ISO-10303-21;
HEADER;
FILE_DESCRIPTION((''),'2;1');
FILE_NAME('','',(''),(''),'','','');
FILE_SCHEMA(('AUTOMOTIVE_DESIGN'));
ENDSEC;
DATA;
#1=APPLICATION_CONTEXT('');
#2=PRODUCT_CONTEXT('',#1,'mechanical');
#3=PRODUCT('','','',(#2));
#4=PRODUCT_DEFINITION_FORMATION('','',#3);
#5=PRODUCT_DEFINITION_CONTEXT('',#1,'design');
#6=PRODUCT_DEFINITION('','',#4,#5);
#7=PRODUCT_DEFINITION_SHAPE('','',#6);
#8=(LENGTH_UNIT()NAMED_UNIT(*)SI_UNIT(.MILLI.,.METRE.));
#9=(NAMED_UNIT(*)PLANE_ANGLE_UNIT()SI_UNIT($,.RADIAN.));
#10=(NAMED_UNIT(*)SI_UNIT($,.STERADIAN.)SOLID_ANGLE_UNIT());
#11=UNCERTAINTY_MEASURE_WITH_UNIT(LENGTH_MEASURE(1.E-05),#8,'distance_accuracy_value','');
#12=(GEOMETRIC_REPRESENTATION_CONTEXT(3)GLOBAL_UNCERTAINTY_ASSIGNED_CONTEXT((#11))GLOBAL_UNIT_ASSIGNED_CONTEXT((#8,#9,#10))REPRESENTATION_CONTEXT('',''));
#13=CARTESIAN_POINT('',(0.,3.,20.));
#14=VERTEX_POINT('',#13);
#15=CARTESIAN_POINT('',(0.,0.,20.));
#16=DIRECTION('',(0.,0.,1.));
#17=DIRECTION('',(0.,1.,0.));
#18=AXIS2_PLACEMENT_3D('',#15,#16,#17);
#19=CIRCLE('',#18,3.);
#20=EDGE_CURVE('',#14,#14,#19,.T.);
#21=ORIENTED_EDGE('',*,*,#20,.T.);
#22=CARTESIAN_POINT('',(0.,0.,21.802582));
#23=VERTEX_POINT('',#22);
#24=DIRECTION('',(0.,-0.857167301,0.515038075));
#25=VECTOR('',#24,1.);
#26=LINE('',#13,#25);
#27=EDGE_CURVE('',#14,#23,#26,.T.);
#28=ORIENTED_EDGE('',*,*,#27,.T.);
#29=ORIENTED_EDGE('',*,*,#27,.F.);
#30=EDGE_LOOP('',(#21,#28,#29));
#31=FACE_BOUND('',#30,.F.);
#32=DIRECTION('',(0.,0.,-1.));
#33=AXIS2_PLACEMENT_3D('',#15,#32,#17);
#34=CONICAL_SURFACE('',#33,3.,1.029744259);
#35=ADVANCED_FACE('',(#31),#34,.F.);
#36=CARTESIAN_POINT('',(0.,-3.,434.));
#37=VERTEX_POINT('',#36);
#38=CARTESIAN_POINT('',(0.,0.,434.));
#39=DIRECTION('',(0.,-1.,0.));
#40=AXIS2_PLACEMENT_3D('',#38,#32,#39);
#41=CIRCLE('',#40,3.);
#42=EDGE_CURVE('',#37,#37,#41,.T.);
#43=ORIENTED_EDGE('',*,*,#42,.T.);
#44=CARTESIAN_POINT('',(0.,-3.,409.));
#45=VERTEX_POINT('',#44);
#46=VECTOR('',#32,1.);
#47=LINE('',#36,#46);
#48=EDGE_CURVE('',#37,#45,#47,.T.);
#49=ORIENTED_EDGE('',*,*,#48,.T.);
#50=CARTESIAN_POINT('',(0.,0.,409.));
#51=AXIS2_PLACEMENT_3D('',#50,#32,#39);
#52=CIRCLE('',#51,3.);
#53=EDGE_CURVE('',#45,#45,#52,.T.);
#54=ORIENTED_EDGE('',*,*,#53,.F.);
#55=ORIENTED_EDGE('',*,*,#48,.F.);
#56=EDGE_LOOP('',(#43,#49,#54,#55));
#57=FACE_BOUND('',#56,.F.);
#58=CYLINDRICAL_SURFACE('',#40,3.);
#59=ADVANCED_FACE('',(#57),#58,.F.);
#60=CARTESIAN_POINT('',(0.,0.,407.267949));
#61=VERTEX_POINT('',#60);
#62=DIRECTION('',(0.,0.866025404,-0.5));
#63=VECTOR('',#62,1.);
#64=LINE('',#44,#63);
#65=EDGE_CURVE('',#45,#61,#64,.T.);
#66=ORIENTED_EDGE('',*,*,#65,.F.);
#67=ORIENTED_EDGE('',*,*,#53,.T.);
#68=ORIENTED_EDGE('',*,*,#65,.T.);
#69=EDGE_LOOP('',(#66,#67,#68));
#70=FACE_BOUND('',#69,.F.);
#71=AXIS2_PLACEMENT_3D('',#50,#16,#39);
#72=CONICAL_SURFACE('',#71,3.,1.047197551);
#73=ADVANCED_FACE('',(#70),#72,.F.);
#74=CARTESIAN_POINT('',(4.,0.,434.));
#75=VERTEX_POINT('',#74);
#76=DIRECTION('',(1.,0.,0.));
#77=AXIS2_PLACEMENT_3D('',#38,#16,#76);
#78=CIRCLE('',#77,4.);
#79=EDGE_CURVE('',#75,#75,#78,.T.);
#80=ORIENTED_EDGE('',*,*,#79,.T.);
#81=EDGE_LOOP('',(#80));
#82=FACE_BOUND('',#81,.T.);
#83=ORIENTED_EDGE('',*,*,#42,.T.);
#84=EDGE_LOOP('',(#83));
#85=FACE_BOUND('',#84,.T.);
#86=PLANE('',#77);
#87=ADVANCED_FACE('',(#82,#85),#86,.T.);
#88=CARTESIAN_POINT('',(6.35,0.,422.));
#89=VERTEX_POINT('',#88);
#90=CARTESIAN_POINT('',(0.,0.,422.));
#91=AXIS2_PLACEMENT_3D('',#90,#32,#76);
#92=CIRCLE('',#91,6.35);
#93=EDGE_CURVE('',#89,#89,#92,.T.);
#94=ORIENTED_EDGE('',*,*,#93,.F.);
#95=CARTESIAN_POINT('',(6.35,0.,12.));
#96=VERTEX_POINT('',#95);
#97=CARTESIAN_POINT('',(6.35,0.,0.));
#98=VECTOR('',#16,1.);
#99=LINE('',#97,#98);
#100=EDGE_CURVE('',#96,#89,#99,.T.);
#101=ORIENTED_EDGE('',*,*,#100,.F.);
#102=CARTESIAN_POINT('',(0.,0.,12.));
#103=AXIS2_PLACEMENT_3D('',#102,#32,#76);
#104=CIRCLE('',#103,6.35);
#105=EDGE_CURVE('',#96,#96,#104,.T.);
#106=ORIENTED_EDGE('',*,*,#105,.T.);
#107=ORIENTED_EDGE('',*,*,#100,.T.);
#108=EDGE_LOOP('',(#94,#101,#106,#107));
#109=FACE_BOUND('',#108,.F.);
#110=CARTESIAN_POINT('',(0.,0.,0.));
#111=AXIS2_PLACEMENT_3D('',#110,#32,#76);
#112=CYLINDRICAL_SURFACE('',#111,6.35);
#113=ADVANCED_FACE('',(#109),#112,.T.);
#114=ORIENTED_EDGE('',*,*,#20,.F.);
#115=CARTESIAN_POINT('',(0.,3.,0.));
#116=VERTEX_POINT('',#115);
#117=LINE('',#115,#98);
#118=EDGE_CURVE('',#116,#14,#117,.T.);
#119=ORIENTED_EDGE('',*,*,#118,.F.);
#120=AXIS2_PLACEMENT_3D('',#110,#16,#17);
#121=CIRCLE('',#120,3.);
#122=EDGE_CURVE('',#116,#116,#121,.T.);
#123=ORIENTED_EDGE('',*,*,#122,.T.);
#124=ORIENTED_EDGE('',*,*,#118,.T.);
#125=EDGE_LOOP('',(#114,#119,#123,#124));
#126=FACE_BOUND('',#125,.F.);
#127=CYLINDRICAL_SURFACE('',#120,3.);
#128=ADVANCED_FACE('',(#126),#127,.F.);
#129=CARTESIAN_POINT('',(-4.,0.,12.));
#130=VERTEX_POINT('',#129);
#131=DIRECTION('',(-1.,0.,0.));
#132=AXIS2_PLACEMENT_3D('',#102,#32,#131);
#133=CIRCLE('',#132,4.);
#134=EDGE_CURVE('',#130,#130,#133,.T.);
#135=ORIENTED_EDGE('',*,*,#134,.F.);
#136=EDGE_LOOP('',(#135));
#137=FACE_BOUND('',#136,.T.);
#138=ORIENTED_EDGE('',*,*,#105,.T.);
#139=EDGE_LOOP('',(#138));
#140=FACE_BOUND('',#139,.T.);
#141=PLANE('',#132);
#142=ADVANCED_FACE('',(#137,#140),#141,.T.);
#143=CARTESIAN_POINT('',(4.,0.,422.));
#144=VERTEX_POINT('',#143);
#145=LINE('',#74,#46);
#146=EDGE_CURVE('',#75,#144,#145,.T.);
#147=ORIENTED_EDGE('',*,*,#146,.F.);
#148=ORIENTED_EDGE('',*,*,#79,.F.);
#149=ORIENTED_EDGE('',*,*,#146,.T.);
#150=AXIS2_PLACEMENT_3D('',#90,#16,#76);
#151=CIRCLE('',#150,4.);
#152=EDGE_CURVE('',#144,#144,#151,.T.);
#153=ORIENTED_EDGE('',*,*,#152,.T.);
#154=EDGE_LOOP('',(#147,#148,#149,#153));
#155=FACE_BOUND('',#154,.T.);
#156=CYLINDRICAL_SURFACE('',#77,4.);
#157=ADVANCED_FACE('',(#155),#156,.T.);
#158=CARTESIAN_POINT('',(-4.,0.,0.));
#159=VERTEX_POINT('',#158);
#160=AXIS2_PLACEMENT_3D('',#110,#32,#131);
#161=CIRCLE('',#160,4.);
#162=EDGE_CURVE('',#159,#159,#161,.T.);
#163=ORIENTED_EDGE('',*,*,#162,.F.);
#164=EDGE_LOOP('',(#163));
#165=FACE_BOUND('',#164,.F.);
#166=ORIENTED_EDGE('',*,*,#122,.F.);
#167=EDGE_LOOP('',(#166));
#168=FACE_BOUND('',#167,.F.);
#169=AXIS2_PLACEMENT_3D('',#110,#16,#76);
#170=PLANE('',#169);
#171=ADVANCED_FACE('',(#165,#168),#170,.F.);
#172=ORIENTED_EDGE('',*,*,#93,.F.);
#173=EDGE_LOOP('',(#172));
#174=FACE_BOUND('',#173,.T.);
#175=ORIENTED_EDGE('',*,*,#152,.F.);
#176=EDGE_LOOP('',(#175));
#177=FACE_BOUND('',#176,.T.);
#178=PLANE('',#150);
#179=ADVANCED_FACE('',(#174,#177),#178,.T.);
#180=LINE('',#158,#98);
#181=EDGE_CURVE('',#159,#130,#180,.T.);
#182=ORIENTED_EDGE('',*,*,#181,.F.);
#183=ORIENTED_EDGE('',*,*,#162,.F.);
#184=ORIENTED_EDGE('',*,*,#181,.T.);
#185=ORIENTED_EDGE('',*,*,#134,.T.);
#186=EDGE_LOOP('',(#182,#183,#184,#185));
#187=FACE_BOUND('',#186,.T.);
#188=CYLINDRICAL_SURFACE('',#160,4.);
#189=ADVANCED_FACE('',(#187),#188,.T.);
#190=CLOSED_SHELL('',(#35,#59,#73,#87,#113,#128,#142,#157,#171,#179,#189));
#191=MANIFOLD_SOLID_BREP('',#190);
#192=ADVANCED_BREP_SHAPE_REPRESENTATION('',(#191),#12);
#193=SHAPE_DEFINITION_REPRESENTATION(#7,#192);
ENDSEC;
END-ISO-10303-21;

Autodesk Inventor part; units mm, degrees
ref_plane "YZ Plane" through (0, 0, 0) normal (1, 0, 0) x (0, 1, 0)
ref_plane "XZ Plane" through (0, 0, 0) normal (0, 1, 0) x (-1, 0, 0)
ref_plane "XY Plane" through (0, 0, 0) normal (0, 0, 1) x (1, 0, 0)
sketch "Sketch1" plane through (0, 0, 0) normal (0, 0, 1) x (1, 0, 0)
  circle A0 centre (0, 0) radius 6.35
  circle A1 centre (0, 0) radius 3
  dimension "d0" = 12.7
  dimension "d1" = 6
extrude "Extrusion1" add sketch "Sketch1" along normal blind 434 contours A0 | A1
sketch "Sketch2" plane through (0, 0, 434) normal (0, 0, 1) x (1, 0, 0)
  circle A0 centre (0, 0) radius 3
  dimension "d4" = 6
sketch "Sketch3" plane through (0, 0, 0) normal (0, 0, -1) x (-1, 0, 0)
  circle A0 centre (0, 0) radius 3
  dimension "d7" = 6
hole "Agujero1" at (0, 0, 434) direction (0, 0, -1) diameter 6 depth 25 tip angle 120
hole "Agujero2" at (0, 0, 0) direction (0, 0, 1) diameter 6 depth 20 tip angle 118
thread "Rosca3" size "M6x1" class "6H" standard "ISO Metric profile" length 20
thread "Rosca4" size "M6x1" class "6H" standard "ISO Metric profile" length 25
sketch "Sketch4" plane through (0, 0, 434) normal (0, 0, 1) x (1, 0, 0)
  circle A0 centre (0, 0) radius 4
  circle A1 centre (0, 0) radius 6.5
  dimension "d32" = 8
  dimension "d38" = 13
extrude "Extrusion4" cut sketch "Sketch4" against normal blind 12
sketch "Sketch5" plane through (0, 0, 0) normal (0, 0, -1) x (-1, 0, 0)
  circle A0 centre (0, 0) radius 4
  circle A1 centre (0, 0) radius 6.5
  dimension "d35" = 8
  dimension "d39" = 13
extrude "Extrusion5" cut sketch "Sketch5" against normal blind 12
properties part number "Guías de Vínculo Cabezal" material "Steel, High Strength, Low Alloy"
